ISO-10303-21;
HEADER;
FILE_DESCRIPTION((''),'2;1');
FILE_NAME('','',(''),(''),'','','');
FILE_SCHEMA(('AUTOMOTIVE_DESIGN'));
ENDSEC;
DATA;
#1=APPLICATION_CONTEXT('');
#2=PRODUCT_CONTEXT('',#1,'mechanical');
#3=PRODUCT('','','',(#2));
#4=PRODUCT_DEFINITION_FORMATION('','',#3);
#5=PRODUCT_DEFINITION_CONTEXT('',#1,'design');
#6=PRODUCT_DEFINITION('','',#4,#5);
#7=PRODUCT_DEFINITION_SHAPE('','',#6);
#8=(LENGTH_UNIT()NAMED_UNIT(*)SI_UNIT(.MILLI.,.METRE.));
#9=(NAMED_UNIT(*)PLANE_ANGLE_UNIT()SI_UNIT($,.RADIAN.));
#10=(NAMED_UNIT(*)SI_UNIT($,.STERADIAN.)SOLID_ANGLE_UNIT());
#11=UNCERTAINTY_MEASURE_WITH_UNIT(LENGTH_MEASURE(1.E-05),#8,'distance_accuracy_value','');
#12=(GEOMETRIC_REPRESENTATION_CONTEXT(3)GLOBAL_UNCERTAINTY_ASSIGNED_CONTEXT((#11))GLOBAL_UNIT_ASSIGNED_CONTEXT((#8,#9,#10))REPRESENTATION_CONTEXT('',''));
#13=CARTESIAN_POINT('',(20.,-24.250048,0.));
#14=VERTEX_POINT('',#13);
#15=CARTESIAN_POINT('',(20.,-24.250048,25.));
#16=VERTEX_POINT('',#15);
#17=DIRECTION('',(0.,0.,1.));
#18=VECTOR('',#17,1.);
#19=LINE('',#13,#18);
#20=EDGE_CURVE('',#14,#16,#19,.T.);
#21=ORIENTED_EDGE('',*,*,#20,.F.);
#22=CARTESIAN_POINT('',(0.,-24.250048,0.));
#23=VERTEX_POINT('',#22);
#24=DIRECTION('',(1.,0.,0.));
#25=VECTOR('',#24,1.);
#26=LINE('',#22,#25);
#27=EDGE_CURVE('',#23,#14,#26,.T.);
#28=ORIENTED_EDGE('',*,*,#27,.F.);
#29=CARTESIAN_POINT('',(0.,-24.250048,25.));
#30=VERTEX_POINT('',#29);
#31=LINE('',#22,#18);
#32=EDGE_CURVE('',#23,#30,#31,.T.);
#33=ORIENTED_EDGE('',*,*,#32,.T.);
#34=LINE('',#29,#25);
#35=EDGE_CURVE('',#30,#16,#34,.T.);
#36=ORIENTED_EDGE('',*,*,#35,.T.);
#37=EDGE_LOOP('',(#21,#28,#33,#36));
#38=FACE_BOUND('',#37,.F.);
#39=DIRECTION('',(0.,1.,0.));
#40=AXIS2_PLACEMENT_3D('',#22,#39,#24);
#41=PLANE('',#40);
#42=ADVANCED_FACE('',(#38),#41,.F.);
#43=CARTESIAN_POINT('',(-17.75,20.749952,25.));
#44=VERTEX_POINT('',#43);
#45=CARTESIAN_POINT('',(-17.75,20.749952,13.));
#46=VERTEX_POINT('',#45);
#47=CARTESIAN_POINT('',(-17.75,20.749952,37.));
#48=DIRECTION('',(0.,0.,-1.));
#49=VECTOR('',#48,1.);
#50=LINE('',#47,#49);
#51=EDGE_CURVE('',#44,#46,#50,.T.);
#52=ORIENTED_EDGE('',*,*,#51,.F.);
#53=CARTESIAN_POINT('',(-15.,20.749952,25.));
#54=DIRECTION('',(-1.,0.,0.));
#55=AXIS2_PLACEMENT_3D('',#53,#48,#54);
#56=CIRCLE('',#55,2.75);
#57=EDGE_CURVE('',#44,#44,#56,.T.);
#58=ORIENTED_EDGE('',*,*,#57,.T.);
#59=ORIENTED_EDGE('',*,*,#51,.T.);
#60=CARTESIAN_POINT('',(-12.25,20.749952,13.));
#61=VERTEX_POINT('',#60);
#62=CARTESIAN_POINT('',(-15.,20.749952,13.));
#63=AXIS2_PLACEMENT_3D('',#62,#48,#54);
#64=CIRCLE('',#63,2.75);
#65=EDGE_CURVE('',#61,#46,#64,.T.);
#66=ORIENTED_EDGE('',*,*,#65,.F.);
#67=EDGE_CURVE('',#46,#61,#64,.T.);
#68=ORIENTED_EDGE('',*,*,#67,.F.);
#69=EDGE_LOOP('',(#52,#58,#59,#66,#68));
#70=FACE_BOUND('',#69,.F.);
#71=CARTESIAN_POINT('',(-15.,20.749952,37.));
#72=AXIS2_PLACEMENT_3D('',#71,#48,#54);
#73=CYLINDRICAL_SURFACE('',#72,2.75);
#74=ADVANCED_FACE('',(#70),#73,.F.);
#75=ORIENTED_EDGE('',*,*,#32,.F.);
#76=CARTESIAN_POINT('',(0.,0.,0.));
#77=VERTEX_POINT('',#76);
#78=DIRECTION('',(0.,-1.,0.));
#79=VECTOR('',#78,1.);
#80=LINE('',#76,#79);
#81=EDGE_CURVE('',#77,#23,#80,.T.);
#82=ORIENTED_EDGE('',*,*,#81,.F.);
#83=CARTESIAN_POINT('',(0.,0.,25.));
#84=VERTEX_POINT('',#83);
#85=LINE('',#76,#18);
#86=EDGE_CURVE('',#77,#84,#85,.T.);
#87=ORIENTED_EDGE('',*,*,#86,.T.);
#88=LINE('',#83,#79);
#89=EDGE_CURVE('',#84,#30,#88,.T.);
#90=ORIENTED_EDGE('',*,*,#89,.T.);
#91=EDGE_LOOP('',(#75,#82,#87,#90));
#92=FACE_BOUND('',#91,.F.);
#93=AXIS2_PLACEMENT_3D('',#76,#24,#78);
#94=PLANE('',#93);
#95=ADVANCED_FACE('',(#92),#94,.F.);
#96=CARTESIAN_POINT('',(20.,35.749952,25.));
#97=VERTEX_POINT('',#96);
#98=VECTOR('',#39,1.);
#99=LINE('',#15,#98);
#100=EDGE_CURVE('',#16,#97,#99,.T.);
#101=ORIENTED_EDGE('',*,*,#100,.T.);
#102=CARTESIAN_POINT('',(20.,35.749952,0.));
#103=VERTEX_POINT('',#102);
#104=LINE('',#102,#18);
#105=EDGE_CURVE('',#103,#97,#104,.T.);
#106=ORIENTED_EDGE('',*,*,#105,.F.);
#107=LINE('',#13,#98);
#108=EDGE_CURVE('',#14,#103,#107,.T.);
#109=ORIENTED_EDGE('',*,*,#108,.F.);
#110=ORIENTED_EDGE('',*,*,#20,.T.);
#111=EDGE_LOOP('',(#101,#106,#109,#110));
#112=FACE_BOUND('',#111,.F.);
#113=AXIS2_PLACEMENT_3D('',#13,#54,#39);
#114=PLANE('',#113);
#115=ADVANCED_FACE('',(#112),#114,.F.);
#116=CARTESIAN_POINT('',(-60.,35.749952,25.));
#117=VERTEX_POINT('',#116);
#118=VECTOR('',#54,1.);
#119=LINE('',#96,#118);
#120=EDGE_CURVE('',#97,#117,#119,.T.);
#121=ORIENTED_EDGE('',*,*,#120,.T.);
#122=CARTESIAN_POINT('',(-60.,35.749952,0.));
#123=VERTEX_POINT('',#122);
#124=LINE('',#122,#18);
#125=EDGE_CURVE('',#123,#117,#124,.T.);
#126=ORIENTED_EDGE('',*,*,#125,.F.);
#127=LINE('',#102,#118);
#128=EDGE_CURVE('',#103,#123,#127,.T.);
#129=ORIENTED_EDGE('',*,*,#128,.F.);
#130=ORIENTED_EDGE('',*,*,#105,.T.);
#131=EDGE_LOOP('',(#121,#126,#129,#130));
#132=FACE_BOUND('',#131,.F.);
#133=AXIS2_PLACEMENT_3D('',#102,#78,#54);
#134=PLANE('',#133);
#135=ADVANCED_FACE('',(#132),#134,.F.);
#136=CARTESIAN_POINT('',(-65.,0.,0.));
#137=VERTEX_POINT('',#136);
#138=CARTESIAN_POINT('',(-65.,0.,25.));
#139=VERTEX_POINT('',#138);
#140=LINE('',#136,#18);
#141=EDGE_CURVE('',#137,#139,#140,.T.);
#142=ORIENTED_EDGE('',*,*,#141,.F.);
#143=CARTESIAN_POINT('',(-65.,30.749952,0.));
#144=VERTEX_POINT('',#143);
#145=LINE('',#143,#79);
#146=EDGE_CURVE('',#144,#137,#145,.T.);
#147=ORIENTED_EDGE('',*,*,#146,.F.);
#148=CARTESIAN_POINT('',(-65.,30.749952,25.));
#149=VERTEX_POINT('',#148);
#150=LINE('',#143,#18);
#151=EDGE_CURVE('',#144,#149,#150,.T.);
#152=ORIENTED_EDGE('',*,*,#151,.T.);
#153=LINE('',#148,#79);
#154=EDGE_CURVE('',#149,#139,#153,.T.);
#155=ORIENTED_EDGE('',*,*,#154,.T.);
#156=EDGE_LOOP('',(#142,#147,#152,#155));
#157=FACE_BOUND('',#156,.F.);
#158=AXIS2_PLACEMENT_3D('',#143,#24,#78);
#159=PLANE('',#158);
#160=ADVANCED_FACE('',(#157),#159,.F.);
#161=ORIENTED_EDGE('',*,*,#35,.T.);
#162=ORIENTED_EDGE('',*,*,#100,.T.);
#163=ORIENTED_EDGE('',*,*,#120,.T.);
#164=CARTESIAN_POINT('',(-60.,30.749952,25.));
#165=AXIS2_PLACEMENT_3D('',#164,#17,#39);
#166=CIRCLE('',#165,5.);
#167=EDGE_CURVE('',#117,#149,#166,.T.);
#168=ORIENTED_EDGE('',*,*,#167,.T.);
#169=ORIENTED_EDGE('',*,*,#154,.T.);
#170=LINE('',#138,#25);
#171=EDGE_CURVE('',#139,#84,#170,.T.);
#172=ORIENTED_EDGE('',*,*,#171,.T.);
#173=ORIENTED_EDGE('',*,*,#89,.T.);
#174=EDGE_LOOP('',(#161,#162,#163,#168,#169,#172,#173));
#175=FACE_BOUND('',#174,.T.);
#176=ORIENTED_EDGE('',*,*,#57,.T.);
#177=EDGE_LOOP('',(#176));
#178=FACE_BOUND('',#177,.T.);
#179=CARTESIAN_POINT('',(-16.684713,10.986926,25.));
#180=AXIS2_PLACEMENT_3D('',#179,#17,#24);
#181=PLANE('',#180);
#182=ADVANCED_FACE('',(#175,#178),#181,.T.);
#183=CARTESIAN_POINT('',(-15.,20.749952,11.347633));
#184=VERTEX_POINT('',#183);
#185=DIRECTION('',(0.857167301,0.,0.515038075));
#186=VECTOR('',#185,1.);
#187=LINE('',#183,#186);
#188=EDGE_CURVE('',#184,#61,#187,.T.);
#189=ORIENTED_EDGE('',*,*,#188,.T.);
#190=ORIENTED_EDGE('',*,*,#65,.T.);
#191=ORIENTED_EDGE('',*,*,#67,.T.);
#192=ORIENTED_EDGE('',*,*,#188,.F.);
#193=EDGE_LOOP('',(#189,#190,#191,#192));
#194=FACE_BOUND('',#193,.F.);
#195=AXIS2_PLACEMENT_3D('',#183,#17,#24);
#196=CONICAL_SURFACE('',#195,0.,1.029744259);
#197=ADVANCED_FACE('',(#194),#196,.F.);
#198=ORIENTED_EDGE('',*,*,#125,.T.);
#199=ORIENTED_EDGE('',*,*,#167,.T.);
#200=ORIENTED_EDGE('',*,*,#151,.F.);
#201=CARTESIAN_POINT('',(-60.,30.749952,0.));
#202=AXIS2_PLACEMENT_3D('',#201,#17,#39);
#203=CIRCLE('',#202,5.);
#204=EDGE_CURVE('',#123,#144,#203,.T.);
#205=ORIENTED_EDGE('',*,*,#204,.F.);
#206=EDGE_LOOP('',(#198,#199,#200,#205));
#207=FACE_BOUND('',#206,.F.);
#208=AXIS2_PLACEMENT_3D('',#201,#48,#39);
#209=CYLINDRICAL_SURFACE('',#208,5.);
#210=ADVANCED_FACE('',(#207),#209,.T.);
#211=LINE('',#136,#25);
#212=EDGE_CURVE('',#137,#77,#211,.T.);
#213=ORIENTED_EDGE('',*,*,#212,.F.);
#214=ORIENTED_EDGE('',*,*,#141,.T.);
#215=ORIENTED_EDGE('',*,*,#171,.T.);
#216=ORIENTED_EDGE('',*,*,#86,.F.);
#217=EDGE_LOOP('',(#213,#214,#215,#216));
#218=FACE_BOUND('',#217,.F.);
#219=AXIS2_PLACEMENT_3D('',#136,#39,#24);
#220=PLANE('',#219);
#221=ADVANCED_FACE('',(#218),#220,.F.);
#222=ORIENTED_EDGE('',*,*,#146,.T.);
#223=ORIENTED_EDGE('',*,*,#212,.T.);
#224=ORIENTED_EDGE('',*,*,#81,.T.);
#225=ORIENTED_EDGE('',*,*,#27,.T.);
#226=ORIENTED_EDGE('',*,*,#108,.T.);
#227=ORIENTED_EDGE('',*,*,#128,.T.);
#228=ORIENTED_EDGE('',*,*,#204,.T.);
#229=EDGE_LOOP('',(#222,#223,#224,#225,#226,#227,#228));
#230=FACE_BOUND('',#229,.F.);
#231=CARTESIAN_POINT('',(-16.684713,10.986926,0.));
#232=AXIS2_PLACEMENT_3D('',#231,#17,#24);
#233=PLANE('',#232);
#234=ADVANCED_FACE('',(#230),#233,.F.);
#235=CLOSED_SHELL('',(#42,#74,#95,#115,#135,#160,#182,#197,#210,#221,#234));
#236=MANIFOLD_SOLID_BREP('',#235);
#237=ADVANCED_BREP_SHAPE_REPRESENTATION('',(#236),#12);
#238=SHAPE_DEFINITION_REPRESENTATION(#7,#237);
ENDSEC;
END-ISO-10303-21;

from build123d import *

# Parameters (mm, degrees)
F1_DEPTH = 25
F3_D     = 5.5
F3_DEPTH = 12
F3_TIP   = 1.6523667023


with BuildPart() as f1:
    # F0 (on Top) → F1 (new body)
    with BuildSketch(Plane.XY):
        with BuildLine():
            Line((20, 35.7499521262), (-60, 35.7499521262))
            ThreePointArc((-60, 35.7499521262), (-63.5355339059, 34.2854860321), (-65, 30.7499521262))
            Line((-65, 30.7499521262), (-65, 0))
            Line((-65, 0), (0, 0))
            Line((0, 0), (0, -24.2500478738))
            Line((0, -24.2500478738), (20, -24.2500478738))
            Line((20, -24.2500478738), (20, 35.7499521262))
        make_face()
    extrude(amount=F1_DEPTH)

    # F3
    with Locations(Plane.XY.offset(25)):
        with Locations((-15, 20.7499521262)):
            Hole(F3_D / 2, depth=F3_DEPTH)
            with Locations((0, 0, -(F3_DEPTH + F3_TIP / 2))):  # 118° drill point
                Cone(0, F3_D / 2, F3_TIP, mode=Mode.SUBTRACT)


solid = f1.part
